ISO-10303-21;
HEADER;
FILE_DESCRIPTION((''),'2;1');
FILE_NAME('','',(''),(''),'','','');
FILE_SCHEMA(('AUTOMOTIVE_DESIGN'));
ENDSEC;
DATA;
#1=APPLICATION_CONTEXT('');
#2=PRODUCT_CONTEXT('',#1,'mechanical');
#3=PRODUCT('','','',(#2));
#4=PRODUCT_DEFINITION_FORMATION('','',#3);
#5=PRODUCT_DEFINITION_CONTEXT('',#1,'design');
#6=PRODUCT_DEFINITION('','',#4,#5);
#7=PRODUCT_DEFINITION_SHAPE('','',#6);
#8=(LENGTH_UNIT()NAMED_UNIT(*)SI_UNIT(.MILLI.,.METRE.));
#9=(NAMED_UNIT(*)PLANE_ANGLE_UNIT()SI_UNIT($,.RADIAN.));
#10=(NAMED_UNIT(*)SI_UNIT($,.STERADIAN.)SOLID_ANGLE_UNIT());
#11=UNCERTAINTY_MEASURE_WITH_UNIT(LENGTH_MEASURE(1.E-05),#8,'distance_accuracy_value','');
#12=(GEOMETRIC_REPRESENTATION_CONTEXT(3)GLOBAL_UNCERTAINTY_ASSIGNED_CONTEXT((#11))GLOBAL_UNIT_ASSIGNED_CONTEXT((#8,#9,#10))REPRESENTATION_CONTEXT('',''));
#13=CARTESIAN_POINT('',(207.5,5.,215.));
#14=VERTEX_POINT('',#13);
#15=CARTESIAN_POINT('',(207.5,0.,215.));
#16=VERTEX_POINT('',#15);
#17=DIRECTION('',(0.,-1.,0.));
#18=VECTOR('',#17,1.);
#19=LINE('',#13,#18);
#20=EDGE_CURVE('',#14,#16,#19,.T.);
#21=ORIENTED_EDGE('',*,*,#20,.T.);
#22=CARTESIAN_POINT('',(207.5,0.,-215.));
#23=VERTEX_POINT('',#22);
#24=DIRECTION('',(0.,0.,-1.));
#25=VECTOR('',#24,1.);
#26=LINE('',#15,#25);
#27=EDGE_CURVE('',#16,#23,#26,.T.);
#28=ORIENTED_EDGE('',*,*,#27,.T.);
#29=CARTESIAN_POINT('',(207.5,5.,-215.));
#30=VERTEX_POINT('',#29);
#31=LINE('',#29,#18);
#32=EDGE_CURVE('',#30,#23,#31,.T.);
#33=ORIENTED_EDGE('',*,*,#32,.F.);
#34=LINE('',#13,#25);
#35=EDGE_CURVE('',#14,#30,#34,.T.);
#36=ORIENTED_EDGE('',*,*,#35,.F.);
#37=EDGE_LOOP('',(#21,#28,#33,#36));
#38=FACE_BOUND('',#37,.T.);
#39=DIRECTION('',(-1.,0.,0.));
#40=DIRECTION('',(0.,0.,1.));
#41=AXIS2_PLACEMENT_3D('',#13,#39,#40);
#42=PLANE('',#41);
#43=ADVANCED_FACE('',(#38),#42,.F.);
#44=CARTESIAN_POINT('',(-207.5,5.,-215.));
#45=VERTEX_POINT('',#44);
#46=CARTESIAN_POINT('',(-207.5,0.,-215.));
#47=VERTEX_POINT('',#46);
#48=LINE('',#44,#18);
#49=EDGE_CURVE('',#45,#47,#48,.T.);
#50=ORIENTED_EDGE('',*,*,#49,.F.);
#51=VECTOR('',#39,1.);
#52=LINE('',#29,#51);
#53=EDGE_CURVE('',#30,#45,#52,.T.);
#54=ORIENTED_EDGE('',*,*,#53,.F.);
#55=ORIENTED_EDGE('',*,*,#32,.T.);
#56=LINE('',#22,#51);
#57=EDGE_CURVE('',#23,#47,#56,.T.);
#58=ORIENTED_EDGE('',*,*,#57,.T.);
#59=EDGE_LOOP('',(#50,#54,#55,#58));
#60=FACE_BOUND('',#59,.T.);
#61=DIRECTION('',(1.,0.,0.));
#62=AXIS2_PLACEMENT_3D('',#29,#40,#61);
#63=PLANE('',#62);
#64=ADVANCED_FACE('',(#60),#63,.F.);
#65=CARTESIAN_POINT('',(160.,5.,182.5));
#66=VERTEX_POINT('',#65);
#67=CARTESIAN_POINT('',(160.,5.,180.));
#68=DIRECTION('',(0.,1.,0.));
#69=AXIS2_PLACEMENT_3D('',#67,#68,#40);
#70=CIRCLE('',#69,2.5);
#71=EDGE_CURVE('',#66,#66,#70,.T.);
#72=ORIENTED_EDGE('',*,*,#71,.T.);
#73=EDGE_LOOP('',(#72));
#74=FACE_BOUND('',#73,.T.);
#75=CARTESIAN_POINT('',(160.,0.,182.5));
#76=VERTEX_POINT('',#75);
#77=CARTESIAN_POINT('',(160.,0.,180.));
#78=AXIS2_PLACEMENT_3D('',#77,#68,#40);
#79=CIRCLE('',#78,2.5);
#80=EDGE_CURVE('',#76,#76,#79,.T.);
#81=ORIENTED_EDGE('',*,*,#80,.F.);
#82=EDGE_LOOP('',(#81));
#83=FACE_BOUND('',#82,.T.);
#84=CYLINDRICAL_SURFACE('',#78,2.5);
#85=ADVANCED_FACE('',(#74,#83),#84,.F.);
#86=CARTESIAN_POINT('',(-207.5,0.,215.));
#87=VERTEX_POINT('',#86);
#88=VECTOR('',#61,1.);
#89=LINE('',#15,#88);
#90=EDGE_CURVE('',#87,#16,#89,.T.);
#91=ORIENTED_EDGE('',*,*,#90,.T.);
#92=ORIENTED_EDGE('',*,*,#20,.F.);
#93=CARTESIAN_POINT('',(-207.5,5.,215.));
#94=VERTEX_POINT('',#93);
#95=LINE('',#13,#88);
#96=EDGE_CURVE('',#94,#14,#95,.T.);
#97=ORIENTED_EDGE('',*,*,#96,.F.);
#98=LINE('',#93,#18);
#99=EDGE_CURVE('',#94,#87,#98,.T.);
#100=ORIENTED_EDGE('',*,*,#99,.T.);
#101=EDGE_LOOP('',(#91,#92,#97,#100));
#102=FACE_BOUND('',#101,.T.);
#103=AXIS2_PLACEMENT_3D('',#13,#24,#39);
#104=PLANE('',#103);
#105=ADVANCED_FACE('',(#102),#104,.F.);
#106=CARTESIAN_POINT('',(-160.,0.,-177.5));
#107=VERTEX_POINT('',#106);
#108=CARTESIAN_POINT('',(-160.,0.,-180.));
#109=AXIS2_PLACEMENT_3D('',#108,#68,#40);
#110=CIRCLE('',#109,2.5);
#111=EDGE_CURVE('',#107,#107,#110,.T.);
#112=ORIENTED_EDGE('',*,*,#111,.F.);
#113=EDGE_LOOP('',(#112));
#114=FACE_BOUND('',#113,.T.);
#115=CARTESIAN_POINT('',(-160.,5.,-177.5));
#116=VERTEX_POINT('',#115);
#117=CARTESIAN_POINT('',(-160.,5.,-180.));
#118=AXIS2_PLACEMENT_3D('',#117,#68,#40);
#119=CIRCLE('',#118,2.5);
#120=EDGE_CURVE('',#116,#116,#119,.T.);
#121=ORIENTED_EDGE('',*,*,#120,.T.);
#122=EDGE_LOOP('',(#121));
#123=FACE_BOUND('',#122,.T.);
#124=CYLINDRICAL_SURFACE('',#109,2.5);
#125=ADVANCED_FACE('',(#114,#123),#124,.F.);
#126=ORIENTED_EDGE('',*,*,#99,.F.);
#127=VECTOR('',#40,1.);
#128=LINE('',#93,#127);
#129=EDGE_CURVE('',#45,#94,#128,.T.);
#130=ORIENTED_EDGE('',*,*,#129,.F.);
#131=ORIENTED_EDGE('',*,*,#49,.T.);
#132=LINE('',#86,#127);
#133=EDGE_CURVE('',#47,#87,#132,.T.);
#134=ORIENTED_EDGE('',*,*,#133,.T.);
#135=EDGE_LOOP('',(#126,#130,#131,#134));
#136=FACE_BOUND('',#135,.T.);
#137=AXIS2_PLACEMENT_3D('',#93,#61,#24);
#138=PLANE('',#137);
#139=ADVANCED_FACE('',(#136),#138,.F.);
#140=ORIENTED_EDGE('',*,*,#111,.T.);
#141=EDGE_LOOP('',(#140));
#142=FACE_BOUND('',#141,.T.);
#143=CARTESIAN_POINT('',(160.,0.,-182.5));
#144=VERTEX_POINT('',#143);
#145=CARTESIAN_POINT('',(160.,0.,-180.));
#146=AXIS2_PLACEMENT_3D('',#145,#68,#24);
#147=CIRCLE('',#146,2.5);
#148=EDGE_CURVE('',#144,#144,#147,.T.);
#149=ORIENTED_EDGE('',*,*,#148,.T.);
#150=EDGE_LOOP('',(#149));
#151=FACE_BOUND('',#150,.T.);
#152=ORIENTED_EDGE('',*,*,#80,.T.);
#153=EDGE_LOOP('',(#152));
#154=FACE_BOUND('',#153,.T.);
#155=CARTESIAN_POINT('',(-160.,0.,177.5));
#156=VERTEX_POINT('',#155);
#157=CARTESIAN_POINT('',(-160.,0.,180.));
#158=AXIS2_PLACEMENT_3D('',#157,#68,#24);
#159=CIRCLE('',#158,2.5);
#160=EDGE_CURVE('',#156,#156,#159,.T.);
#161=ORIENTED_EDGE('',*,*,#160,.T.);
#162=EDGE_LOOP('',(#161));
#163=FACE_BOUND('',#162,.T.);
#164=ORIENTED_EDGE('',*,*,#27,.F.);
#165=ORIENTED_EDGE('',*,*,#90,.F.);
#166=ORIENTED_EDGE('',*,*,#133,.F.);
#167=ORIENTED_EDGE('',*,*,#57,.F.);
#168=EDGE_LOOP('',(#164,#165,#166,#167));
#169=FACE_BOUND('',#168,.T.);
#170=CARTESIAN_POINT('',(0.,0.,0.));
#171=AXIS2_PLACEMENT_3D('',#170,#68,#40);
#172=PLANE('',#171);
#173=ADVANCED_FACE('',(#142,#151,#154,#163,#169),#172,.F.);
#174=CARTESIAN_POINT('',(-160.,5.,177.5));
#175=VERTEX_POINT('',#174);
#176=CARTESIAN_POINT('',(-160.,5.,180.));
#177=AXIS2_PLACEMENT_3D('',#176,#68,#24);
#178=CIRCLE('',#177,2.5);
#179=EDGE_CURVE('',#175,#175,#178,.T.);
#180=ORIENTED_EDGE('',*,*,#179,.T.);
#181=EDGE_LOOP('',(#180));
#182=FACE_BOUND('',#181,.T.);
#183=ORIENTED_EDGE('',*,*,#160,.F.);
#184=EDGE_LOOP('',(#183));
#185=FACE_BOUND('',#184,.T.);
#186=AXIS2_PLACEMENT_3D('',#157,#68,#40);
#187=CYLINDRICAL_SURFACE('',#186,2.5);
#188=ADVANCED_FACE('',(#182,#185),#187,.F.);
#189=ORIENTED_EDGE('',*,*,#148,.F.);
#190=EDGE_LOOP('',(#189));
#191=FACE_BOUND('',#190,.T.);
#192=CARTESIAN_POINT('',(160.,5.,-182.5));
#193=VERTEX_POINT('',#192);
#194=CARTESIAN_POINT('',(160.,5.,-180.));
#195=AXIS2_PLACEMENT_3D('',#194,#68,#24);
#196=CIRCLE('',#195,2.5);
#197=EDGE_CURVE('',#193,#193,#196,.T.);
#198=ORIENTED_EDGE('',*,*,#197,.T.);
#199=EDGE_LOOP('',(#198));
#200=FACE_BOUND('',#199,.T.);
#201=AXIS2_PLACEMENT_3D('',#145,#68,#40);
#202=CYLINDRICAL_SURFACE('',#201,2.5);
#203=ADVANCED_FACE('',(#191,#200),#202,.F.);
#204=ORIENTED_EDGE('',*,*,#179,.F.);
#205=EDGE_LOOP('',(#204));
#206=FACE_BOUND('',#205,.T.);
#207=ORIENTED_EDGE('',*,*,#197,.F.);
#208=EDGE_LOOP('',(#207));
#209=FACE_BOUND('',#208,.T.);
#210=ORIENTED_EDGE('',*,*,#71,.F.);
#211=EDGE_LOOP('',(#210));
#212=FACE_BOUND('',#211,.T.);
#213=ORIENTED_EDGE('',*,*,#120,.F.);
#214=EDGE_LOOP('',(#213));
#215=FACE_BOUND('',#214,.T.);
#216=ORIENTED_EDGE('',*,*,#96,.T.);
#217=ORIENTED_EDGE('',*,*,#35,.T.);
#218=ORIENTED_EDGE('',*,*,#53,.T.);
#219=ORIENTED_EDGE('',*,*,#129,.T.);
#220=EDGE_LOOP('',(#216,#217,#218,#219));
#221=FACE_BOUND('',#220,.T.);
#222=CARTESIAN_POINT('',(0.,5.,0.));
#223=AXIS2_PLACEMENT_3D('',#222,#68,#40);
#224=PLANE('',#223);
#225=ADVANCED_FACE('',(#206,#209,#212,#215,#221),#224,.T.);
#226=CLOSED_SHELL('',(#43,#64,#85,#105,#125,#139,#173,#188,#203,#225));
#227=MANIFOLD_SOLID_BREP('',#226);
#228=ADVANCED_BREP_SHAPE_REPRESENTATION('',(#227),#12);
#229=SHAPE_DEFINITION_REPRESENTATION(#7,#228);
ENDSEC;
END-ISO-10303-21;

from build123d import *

# Parameters (mm, degrees)
CROQUIS1_W              = 415
CROQUIS1_H              = 430
SALIENTE_EXTRUIR1_DEPTH = 5
CROQUIS2_R              = 2.5
CORTAR_EXTRUIR1_DEPTH   = 299.84151318


with BuildPart() as part:
    # Croquis1 → Saliente-Extruir1 (new body)
    with BuildSketch(Plane(origin=(0, 0, 0), x_dir=(1, 0, 0), z_dir=(0, 1, 0))):
        Rectangle(CROQUIS1_W, CROQUIS1_H)
    extrude(amount=SALIENTE_EXTRUIR1_DEPTH)

    # Croquis2 → Cortar-Extruir1 (cut, through all)
    with BuildSketch(Plane(origin=(0, 5, 0), x_dir=(1, 0, 0), z_dir=(0, 1, 0))):
        with Locations(Location((-160, 180, 0), (0, 0, 270))):
            Circle(CROQUIS2_R)
        with Locations(Location((160, 180, 0), (0, 0, 90))):
            Circle(CROQUIS2_R)
        with Locations(Location((160, -180, 0), (0, 0, 270))):
            Circle(CROQUIS2_R)
        with Locations(Location((-160, -180, 0), (0, 0, 90))):
            Circle(CROQUIS2_R)
    extrude(amount=-CORTAR_EXTRUIR1_DEPTH, mode=Mode.SUBTRACT)


solid = part.part
